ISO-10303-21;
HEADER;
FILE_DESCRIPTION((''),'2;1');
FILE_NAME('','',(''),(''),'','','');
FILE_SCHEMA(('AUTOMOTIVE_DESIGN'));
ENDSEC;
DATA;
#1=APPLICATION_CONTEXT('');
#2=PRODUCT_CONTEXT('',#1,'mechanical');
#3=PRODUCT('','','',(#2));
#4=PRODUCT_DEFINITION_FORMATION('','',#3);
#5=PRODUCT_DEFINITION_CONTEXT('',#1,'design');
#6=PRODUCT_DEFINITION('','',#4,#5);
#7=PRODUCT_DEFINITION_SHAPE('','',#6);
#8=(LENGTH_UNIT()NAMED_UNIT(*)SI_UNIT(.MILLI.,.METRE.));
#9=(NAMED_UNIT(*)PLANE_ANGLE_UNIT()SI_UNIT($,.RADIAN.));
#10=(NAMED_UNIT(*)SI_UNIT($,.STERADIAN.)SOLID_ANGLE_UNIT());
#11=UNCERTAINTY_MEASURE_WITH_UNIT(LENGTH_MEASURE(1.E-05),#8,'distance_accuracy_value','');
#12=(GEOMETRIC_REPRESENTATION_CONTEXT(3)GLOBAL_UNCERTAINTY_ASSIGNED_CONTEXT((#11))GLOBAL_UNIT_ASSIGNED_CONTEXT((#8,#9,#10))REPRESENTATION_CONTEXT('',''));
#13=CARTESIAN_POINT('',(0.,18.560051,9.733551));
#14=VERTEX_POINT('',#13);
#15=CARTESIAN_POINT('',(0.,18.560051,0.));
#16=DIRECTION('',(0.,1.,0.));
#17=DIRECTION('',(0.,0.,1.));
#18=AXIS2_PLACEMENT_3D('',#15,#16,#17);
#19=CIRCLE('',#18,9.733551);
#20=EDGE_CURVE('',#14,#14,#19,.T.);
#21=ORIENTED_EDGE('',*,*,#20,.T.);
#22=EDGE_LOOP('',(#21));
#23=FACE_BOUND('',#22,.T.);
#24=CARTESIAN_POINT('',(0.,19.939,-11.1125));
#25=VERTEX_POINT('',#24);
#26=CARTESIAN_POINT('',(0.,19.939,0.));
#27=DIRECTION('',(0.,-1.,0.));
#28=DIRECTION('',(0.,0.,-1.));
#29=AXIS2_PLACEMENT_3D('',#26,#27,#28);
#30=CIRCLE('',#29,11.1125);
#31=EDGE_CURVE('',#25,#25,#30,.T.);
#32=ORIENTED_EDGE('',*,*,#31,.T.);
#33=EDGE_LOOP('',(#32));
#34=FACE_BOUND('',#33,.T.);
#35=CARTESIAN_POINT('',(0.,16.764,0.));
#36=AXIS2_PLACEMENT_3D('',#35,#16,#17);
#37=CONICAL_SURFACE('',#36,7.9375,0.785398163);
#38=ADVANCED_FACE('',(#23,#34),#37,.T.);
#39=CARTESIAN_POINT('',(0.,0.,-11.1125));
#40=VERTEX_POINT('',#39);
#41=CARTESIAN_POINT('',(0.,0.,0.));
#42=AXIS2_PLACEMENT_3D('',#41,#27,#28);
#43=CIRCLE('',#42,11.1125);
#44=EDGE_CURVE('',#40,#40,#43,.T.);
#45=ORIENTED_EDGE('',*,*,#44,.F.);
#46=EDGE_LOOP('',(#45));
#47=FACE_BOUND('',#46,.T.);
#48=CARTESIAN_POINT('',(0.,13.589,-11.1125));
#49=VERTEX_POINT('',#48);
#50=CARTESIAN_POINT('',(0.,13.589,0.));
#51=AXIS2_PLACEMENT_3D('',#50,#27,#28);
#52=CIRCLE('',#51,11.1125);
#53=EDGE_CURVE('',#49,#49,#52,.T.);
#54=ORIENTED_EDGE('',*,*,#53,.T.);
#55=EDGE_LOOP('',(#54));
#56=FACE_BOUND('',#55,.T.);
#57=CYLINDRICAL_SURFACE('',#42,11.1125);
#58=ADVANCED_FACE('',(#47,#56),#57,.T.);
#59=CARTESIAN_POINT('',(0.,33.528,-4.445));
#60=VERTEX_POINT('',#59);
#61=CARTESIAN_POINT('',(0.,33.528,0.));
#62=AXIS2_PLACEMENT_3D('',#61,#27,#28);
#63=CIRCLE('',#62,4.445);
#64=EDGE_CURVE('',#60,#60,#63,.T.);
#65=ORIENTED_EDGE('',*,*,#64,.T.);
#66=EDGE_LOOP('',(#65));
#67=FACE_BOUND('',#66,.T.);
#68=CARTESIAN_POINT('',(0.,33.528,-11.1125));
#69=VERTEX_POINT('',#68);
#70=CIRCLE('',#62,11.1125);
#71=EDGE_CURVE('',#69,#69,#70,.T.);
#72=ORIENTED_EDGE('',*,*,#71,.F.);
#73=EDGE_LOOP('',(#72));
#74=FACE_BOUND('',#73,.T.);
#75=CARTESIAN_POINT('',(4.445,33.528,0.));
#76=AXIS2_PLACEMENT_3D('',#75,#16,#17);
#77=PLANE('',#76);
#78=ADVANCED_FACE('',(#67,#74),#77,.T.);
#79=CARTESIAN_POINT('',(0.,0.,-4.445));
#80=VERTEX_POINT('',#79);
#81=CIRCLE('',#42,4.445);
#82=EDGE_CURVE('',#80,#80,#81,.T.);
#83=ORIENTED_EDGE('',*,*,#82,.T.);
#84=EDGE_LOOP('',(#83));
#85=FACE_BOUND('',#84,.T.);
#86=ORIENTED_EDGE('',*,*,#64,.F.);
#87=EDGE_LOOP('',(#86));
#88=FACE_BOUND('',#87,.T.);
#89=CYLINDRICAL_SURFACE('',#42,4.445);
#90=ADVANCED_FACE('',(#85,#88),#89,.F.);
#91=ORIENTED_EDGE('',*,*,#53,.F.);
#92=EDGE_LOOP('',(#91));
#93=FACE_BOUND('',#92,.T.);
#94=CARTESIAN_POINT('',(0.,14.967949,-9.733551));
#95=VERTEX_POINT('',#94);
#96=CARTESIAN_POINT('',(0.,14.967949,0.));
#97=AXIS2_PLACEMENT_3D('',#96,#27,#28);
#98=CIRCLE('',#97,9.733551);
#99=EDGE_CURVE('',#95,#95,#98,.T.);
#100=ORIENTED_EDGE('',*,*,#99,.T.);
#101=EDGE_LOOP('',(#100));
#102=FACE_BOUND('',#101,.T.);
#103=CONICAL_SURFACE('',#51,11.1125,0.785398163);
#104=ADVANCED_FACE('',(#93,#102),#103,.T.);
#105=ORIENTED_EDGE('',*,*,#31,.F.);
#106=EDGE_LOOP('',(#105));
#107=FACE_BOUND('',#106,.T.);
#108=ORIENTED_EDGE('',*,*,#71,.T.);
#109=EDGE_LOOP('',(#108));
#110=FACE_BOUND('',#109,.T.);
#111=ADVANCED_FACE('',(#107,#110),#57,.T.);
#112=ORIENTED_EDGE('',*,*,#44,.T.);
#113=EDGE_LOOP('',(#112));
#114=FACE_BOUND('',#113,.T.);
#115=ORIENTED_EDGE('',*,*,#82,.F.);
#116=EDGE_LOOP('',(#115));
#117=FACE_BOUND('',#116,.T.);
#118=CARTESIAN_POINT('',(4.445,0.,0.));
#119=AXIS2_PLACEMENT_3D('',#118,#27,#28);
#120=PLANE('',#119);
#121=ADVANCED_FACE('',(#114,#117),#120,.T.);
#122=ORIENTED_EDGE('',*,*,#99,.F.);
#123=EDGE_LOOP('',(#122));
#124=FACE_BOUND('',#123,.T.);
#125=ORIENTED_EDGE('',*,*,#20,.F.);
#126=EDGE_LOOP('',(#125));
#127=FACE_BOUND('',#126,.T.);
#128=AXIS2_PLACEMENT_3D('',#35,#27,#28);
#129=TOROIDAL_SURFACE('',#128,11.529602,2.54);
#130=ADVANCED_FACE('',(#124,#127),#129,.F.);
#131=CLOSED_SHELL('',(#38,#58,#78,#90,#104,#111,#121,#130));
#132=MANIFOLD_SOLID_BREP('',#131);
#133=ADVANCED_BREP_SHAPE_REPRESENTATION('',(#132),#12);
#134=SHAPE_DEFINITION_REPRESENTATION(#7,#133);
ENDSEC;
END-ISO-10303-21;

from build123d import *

# Parameters (mm, degrees)
FILLET1_R = 2.54


with BuildPart() as part:
    # Sketch2 → Revolve1 (revolve)
    with BuildSketch(Plane.XY):
        Polygon((4.445, 0), (11.1125, 0), (11.1125, 13.589), (7.9375, 16.764), (11.1125, 19.939), (11.1125, 33.528), (4.445, 33.528), align=None)
    revolve(axis=Axis((0, 0, 0), (0, 1, 0)))

    # Fillet1
    fillet1_edges = [part.edges().sort_by_distance(p)[0] for p in [
        (-7.9375, 16.764, 0),
    ]]
    fillet(fillet1_edges, radius=FILLET1_R)


solid = part.part
